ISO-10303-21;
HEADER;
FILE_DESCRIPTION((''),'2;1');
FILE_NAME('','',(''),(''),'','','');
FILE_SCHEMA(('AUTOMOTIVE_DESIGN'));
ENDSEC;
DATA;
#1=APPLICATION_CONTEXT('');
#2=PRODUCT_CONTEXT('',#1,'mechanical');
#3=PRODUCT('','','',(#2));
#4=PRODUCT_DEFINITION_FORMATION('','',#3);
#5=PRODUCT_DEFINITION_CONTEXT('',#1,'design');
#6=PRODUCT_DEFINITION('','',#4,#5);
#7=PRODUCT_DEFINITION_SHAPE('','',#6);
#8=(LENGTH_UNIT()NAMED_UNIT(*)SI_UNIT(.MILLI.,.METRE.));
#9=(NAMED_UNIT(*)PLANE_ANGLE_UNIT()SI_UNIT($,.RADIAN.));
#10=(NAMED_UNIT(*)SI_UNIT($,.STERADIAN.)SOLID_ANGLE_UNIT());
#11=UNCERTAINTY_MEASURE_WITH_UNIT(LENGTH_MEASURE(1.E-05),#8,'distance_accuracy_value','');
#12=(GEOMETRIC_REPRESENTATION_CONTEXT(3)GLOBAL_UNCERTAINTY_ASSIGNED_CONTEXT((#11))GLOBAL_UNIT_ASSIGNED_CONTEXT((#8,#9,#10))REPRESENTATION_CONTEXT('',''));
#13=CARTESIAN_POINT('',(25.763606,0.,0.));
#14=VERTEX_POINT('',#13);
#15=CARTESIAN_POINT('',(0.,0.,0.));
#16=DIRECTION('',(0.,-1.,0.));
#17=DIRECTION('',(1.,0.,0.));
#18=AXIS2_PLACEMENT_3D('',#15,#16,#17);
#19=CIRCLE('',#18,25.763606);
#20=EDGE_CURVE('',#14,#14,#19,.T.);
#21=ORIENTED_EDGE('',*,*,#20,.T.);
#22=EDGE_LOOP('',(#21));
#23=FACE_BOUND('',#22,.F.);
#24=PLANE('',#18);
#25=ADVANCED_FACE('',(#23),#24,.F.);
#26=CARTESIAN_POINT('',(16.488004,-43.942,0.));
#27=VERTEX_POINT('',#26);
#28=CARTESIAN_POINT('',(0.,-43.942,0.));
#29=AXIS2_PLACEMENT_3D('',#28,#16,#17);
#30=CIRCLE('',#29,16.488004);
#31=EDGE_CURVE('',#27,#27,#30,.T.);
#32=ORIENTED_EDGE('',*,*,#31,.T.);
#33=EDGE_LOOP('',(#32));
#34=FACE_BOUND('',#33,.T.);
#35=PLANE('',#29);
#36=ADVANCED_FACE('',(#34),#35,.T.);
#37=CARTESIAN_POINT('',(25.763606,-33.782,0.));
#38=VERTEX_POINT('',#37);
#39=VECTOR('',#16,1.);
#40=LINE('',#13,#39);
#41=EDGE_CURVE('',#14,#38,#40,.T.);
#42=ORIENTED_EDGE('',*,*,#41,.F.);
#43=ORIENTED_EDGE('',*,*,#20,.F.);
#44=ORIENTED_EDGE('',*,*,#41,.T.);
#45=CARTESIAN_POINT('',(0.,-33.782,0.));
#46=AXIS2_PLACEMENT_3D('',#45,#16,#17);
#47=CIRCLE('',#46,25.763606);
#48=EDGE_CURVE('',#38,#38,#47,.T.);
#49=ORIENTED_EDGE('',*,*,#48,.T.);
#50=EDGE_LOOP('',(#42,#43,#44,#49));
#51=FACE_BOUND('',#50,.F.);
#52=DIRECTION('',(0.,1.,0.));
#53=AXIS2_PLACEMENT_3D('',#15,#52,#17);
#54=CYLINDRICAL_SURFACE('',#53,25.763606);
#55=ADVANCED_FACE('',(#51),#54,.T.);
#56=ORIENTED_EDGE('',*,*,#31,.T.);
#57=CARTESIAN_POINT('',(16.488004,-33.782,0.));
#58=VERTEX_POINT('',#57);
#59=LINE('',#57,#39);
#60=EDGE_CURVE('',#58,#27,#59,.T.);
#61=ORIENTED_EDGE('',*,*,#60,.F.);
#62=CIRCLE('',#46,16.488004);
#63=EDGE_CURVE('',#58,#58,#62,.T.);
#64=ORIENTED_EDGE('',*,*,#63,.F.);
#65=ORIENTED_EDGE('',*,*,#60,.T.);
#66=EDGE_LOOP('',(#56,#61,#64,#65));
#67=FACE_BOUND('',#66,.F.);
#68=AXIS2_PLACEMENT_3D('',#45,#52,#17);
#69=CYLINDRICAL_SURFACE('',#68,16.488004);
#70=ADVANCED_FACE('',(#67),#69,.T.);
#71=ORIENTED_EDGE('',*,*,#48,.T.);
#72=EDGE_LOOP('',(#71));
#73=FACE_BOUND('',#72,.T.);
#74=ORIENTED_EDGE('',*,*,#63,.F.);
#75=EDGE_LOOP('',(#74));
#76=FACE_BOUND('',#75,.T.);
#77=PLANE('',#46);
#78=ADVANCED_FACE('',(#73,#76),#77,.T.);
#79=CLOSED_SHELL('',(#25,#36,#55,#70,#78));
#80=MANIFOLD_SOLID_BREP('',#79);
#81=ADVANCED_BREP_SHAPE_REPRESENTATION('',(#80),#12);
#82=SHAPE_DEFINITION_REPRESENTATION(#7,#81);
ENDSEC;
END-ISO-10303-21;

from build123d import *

# Parameters (mm, degrees)
F0_R     = 25.763606
F1_DEPTH = 33.782
F2_R     = 16.488004
F3_DEPTH = 10.16


with BuildPart() as f1:
    # F0 (on Front) → F1 (new body)
    with BuildSketch(Plane.XZ):
        Circle(F0_R)
    extrude(amount=F1_DEPTH)

    # F2 (on face) → F3 (join)
    with BuildSketch(Plane.XZ.offset(33.782)):
        Circle(F2_R)
    extrude(amount=F3_DEPTH)


solid = f1.part
